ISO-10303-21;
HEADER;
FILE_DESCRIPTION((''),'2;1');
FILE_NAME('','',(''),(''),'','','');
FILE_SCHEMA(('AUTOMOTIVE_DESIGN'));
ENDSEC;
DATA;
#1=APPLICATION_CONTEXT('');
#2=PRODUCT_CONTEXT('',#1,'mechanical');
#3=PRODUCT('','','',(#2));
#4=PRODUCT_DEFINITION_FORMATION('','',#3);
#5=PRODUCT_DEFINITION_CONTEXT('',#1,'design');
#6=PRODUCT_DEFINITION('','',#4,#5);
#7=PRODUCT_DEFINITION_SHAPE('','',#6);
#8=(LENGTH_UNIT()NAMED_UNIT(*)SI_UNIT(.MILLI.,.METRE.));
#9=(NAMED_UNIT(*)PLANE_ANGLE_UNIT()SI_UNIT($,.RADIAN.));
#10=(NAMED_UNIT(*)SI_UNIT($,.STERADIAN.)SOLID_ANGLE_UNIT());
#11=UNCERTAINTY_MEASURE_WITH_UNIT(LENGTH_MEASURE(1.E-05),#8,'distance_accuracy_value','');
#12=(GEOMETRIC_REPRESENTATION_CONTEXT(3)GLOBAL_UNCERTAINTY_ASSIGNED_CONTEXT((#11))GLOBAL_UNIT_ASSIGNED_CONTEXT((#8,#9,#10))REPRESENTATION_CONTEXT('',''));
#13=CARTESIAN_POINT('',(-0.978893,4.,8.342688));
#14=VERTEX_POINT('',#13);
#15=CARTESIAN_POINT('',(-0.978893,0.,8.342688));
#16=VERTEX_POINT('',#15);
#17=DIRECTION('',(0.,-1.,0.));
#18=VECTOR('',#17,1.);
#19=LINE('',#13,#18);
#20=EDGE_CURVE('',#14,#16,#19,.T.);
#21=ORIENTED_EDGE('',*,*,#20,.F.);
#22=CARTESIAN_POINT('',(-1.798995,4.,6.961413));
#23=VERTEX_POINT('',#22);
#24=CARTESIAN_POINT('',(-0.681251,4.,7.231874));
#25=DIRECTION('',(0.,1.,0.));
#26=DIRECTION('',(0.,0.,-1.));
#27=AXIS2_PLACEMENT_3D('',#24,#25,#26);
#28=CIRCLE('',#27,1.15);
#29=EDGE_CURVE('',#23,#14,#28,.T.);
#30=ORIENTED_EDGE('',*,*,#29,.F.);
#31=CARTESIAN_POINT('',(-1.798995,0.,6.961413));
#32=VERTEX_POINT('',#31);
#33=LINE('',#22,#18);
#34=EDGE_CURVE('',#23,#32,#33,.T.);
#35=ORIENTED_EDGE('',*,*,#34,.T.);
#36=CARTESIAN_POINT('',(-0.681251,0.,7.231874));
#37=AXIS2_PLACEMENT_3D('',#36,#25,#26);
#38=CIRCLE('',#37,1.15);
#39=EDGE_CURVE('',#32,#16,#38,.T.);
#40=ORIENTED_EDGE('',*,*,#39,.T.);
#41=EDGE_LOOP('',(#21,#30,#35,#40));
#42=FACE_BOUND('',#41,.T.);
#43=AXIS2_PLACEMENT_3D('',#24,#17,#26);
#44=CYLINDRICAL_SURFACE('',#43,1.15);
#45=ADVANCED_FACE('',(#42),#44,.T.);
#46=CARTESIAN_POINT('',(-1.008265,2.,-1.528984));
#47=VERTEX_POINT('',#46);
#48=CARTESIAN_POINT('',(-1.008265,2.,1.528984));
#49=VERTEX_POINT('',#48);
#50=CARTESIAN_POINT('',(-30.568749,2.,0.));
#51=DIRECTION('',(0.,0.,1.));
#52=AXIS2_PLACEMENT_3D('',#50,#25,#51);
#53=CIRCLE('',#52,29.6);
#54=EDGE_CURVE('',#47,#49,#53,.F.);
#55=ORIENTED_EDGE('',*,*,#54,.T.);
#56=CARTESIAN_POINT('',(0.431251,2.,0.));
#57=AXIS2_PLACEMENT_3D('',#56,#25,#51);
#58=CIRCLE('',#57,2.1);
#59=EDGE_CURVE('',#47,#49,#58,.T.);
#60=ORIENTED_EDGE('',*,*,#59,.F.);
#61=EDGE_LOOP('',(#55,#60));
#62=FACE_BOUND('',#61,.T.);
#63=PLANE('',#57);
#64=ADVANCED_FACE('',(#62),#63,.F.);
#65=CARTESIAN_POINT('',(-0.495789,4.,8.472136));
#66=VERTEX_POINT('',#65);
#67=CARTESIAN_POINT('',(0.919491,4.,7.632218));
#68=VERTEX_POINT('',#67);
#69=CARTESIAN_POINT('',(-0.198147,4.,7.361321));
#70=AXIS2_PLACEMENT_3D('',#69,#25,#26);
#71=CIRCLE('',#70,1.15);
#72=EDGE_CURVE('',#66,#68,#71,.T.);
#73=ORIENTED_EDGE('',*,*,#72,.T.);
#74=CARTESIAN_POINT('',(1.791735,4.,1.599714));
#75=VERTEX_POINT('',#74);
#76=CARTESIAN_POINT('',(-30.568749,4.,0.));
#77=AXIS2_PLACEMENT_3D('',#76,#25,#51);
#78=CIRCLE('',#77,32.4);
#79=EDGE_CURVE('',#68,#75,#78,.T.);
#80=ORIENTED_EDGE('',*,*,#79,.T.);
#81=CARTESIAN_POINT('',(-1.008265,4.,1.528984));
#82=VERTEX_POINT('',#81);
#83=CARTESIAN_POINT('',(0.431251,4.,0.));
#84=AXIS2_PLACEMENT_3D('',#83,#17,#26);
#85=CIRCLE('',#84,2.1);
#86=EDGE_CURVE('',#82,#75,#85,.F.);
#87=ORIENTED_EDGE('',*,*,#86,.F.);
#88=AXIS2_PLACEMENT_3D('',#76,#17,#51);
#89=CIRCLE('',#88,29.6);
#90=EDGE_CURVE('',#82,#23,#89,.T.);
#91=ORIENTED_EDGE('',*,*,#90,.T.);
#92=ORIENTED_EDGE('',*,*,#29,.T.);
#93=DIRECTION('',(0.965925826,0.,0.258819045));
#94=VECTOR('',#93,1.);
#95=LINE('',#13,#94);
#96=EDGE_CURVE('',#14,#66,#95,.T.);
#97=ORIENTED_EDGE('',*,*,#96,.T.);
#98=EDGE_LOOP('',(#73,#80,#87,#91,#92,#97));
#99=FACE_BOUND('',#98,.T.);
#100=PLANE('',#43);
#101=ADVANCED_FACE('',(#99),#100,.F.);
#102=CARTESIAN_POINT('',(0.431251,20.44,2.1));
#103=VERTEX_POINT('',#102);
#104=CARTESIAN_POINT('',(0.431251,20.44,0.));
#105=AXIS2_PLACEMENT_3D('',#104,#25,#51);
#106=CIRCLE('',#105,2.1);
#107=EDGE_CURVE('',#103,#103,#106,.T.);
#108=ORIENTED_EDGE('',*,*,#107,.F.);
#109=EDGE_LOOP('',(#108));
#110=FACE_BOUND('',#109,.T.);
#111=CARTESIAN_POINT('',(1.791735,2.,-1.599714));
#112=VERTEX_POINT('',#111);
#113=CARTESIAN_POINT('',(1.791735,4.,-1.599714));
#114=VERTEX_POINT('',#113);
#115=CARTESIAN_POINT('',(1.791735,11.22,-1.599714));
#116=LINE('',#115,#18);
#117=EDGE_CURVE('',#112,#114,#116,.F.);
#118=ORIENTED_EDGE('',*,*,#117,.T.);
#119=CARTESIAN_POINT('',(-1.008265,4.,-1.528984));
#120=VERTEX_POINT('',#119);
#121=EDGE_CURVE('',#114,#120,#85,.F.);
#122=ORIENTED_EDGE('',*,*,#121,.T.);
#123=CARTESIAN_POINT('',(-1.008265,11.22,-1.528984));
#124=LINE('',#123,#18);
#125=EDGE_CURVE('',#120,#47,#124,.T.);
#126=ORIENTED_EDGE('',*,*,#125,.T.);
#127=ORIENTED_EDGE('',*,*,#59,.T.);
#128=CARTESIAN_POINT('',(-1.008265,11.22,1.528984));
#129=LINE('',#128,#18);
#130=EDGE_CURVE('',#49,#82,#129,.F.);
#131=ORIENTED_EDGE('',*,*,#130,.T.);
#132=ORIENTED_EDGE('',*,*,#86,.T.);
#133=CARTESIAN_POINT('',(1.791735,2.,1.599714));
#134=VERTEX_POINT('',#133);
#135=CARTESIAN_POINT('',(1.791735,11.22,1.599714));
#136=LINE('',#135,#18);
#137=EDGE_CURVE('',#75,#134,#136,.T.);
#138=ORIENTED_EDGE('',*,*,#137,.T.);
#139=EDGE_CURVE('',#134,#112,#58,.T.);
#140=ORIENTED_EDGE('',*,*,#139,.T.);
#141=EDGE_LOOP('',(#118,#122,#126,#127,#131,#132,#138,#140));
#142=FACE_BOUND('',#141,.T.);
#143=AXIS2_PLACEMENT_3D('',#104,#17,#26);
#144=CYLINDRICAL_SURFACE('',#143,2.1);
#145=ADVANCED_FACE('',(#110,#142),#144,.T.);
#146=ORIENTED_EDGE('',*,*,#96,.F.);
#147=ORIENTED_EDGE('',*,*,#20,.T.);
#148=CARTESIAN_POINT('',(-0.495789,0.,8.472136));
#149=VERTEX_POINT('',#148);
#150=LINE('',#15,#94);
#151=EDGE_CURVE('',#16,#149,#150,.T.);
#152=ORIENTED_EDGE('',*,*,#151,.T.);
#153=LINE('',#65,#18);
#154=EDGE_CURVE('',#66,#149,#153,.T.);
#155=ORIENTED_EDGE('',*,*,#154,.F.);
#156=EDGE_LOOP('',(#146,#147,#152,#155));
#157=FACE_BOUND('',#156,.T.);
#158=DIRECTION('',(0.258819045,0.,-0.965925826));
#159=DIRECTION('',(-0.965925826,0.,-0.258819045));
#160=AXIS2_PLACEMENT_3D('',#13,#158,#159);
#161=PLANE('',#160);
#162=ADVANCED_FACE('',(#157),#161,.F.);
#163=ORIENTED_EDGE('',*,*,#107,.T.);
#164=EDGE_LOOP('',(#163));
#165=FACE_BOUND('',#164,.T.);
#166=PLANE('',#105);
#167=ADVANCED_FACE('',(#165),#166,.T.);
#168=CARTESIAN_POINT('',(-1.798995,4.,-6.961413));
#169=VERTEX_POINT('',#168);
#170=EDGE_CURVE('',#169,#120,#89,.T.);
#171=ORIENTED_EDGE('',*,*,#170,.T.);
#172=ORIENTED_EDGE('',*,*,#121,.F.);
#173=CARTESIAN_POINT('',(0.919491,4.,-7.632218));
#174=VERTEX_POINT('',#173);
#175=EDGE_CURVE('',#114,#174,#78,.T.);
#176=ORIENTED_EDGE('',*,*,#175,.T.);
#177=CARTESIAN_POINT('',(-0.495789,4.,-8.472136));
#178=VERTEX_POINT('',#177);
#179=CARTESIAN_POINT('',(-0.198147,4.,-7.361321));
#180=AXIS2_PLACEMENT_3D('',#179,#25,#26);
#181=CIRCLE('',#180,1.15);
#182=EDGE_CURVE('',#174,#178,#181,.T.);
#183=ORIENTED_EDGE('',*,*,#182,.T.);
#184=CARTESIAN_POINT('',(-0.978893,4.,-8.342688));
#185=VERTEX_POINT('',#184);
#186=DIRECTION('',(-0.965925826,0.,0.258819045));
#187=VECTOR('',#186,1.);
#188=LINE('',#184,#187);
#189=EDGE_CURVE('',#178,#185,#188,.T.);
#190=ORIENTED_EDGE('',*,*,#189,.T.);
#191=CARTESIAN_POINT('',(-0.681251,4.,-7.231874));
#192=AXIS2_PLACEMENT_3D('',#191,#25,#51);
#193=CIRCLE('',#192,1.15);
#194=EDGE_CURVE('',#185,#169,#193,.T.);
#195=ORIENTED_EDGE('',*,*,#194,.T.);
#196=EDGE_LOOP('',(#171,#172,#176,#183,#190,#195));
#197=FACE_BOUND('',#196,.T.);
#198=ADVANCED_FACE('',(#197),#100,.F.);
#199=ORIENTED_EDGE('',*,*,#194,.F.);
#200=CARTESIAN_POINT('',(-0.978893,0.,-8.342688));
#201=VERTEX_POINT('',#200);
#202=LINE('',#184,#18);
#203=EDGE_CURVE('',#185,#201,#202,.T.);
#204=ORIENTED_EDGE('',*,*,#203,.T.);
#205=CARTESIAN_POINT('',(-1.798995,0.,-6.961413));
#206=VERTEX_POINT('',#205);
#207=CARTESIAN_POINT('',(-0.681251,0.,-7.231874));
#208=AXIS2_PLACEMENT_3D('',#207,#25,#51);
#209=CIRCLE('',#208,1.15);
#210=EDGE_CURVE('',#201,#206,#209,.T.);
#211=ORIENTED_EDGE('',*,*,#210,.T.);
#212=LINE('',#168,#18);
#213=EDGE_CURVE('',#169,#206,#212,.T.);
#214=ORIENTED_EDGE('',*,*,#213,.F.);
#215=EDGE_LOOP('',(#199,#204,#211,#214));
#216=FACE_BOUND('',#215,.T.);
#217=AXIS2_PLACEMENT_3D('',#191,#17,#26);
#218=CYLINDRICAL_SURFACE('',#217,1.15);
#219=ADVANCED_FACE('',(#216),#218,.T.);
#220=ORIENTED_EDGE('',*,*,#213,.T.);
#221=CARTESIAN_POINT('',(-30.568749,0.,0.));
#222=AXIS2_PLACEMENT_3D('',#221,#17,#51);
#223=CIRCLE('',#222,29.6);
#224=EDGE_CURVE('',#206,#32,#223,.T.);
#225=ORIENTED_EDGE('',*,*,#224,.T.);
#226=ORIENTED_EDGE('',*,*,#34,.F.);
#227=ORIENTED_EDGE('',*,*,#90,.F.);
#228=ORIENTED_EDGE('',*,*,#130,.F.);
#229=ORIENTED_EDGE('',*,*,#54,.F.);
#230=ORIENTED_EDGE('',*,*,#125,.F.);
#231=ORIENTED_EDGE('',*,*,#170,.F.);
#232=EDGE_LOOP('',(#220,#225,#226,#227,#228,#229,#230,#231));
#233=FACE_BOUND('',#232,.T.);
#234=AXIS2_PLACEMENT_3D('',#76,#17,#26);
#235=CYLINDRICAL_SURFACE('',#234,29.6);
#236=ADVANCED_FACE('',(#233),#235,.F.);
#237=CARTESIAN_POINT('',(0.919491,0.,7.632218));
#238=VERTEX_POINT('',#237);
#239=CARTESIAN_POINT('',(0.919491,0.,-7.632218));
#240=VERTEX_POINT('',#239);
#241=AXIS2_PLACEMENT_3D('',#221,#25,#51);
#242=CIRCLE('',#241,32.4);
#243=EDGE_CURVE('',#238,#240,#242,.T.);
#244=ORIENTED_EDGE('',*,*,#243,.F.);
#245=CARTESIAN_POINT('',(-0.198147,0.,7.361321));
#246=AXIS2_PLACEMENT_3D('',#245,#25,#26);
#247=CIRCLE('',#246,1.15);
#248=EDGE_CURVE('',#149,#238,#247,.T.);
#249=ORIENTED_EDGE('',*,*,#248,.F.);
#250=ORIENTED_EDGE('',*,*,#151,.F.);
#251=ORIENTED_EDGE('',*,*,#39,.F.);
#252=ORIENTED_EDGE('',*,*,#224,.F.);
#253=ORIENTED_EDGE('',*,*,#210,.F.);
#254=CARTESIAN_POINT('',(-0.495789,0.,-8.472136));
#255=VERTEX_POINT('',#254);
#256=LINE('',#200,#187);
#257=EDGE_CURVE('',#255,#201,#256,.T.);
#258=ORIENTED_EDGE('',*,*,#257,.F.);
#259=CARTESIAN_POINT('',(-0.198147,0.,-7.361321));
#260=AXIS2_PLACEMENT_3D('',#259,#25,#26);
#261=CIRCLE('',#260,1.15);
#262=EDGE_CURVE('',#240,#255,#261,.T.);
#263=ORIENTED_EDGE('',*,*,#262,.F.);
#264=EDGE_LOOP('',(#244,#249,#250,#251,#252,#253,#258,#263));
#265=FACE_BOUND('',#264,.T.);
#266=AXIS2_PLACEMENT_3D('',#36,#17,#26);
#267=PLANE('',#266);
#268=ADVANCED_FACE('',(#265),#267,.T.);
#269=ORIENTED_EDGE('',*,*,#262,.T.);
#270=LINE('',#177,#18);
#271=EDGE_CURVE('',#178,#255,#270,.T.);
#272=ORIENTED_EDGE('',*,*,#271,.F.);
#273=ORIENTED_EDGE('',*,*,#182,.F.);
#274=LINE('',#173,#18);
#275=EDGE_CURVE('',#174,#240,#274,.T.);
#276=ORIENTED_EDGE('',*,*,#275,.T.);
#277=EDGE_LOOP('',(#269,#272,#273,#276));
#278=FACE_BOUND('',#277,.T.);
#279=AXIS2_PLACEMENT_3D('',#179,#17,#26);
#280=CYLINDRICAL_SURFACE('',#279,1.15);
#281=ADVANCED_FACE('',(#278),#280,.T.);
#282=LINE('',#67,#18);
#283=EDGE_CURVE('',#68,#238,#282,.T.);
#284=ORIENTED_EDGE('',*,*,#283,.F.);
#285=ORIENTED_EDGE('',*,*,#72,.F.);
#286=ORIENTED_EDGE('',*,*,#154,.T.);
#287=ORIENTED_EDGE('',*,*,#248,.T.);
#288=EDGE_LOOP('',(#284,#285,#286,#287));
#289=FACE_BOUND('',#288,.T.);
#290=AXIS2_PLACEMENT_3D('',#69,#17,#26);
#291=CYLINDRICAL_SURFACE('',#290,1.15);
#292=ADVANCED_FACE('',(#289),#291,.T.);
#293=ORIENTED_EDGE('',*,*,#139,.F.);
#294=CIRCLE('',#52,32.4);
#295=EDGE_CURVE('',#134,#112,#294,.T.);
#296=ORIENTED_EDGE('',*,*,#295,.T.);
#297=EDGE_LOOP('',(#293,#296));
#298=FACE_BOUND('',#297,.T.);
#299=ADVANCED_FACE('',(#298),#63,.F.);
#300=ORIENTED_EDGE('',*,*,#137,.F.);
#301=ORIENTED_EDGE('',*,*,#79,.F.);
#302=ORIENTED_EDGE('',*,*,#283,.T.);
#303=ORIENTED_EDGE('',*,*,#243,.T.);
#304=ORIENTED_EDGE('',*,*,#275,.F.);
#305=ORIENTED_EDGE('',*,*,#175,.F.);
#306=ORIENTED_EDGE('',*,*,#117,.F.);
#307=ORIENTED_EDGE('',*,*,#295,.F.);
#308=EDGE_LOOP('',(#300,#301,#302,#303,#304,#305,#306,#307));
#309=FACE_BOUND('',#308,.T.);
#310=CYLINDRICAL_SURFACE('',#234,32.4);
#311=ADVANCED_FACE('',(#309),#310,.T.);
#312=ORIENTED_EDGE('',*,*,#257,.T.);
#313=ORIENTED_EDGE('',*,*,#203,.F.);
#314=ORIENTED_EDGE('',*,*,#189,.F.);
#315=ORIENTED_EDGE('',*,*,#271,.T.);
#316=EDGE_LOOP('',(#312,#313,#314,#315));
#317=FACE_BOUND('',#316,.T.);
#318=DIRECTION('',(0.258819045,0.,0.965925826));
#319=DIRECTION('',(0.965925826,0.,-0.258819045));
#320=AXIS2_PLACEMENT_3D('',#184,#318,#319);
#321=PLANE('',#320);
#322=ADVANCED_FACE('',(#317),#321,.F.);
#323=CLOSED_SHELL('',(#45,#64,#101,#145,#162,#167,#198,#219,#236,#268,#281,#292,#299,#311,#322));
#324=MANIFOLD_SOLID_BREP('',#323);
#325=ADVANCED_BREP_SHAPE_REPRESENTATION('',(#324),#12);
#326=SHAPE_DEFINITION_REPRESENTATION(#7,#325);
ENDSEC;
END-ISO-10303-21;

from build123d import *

# Parameters (mm, degrees)
EXTRUDE_1_DEPTH = 4
SKETCH_2_R      = 2.1
EXTRUDE_2_DEPTH = 18.44


with BuildPart() as part:
    # Эскиз1 → Бобышка-Вытянуть1 (new body)
    with BuildSketch(Plane(origin=(0, 0, 0), x_dir=(1, 0, 0), z_dir=(0, 1, 0))):
        with BuildLine():
            Line((-0.978893182, -8.342688368), (-0.495788851, -8.472135783))
            ThreePointArc((-0.495788851, -8.472135783), (0.388763654, -8.35027808), (0.919491196, -7.632217699))
            ThreePointArc((0.919491196, -7.632217699), (1.83125128, 0), (0.919491196, 7.632217699))
            ThreePointArc((0.919491196, 7.632217699), (0.388763654, 8.35027808), (-0.495788851, 8.472135783))
            Line((-0.495788851, 8.472135783), (-0.978893182, 8.342688368))
            ThreePointArc((-0.978893182, 8.342688368), (-1.670093706, 7.818977284), (-1.798995086, 6.961413352))
            ThreePointArc((-1.798995086, 6.961413352), (-0.96874872, 0), (-1.798995086, -6.961413352))
            ThreePointArc((-1.798995086, -6.961413352), (-1.670093706, -7.818977284), (-0.978893182, -8.342688368))
        make_face()
    extrude(amount=EXTRUDE_1_DEPTH)

    # Эскиз2 → Бобышка-Вытянуть2 (add)
    with BuildSketch(Plane(origin=(0, 2, 0), x_dir=(1, 0, 0), z_dir=(0, 1, 0))):
        with Locations(Location((0.43125128, 0, 0), (0, 0, 49.620343895))):
            Circle(SKETCH_2_R)
    extrude(amount=EXTRUDE_2_DEPTH)


solid = part.part
